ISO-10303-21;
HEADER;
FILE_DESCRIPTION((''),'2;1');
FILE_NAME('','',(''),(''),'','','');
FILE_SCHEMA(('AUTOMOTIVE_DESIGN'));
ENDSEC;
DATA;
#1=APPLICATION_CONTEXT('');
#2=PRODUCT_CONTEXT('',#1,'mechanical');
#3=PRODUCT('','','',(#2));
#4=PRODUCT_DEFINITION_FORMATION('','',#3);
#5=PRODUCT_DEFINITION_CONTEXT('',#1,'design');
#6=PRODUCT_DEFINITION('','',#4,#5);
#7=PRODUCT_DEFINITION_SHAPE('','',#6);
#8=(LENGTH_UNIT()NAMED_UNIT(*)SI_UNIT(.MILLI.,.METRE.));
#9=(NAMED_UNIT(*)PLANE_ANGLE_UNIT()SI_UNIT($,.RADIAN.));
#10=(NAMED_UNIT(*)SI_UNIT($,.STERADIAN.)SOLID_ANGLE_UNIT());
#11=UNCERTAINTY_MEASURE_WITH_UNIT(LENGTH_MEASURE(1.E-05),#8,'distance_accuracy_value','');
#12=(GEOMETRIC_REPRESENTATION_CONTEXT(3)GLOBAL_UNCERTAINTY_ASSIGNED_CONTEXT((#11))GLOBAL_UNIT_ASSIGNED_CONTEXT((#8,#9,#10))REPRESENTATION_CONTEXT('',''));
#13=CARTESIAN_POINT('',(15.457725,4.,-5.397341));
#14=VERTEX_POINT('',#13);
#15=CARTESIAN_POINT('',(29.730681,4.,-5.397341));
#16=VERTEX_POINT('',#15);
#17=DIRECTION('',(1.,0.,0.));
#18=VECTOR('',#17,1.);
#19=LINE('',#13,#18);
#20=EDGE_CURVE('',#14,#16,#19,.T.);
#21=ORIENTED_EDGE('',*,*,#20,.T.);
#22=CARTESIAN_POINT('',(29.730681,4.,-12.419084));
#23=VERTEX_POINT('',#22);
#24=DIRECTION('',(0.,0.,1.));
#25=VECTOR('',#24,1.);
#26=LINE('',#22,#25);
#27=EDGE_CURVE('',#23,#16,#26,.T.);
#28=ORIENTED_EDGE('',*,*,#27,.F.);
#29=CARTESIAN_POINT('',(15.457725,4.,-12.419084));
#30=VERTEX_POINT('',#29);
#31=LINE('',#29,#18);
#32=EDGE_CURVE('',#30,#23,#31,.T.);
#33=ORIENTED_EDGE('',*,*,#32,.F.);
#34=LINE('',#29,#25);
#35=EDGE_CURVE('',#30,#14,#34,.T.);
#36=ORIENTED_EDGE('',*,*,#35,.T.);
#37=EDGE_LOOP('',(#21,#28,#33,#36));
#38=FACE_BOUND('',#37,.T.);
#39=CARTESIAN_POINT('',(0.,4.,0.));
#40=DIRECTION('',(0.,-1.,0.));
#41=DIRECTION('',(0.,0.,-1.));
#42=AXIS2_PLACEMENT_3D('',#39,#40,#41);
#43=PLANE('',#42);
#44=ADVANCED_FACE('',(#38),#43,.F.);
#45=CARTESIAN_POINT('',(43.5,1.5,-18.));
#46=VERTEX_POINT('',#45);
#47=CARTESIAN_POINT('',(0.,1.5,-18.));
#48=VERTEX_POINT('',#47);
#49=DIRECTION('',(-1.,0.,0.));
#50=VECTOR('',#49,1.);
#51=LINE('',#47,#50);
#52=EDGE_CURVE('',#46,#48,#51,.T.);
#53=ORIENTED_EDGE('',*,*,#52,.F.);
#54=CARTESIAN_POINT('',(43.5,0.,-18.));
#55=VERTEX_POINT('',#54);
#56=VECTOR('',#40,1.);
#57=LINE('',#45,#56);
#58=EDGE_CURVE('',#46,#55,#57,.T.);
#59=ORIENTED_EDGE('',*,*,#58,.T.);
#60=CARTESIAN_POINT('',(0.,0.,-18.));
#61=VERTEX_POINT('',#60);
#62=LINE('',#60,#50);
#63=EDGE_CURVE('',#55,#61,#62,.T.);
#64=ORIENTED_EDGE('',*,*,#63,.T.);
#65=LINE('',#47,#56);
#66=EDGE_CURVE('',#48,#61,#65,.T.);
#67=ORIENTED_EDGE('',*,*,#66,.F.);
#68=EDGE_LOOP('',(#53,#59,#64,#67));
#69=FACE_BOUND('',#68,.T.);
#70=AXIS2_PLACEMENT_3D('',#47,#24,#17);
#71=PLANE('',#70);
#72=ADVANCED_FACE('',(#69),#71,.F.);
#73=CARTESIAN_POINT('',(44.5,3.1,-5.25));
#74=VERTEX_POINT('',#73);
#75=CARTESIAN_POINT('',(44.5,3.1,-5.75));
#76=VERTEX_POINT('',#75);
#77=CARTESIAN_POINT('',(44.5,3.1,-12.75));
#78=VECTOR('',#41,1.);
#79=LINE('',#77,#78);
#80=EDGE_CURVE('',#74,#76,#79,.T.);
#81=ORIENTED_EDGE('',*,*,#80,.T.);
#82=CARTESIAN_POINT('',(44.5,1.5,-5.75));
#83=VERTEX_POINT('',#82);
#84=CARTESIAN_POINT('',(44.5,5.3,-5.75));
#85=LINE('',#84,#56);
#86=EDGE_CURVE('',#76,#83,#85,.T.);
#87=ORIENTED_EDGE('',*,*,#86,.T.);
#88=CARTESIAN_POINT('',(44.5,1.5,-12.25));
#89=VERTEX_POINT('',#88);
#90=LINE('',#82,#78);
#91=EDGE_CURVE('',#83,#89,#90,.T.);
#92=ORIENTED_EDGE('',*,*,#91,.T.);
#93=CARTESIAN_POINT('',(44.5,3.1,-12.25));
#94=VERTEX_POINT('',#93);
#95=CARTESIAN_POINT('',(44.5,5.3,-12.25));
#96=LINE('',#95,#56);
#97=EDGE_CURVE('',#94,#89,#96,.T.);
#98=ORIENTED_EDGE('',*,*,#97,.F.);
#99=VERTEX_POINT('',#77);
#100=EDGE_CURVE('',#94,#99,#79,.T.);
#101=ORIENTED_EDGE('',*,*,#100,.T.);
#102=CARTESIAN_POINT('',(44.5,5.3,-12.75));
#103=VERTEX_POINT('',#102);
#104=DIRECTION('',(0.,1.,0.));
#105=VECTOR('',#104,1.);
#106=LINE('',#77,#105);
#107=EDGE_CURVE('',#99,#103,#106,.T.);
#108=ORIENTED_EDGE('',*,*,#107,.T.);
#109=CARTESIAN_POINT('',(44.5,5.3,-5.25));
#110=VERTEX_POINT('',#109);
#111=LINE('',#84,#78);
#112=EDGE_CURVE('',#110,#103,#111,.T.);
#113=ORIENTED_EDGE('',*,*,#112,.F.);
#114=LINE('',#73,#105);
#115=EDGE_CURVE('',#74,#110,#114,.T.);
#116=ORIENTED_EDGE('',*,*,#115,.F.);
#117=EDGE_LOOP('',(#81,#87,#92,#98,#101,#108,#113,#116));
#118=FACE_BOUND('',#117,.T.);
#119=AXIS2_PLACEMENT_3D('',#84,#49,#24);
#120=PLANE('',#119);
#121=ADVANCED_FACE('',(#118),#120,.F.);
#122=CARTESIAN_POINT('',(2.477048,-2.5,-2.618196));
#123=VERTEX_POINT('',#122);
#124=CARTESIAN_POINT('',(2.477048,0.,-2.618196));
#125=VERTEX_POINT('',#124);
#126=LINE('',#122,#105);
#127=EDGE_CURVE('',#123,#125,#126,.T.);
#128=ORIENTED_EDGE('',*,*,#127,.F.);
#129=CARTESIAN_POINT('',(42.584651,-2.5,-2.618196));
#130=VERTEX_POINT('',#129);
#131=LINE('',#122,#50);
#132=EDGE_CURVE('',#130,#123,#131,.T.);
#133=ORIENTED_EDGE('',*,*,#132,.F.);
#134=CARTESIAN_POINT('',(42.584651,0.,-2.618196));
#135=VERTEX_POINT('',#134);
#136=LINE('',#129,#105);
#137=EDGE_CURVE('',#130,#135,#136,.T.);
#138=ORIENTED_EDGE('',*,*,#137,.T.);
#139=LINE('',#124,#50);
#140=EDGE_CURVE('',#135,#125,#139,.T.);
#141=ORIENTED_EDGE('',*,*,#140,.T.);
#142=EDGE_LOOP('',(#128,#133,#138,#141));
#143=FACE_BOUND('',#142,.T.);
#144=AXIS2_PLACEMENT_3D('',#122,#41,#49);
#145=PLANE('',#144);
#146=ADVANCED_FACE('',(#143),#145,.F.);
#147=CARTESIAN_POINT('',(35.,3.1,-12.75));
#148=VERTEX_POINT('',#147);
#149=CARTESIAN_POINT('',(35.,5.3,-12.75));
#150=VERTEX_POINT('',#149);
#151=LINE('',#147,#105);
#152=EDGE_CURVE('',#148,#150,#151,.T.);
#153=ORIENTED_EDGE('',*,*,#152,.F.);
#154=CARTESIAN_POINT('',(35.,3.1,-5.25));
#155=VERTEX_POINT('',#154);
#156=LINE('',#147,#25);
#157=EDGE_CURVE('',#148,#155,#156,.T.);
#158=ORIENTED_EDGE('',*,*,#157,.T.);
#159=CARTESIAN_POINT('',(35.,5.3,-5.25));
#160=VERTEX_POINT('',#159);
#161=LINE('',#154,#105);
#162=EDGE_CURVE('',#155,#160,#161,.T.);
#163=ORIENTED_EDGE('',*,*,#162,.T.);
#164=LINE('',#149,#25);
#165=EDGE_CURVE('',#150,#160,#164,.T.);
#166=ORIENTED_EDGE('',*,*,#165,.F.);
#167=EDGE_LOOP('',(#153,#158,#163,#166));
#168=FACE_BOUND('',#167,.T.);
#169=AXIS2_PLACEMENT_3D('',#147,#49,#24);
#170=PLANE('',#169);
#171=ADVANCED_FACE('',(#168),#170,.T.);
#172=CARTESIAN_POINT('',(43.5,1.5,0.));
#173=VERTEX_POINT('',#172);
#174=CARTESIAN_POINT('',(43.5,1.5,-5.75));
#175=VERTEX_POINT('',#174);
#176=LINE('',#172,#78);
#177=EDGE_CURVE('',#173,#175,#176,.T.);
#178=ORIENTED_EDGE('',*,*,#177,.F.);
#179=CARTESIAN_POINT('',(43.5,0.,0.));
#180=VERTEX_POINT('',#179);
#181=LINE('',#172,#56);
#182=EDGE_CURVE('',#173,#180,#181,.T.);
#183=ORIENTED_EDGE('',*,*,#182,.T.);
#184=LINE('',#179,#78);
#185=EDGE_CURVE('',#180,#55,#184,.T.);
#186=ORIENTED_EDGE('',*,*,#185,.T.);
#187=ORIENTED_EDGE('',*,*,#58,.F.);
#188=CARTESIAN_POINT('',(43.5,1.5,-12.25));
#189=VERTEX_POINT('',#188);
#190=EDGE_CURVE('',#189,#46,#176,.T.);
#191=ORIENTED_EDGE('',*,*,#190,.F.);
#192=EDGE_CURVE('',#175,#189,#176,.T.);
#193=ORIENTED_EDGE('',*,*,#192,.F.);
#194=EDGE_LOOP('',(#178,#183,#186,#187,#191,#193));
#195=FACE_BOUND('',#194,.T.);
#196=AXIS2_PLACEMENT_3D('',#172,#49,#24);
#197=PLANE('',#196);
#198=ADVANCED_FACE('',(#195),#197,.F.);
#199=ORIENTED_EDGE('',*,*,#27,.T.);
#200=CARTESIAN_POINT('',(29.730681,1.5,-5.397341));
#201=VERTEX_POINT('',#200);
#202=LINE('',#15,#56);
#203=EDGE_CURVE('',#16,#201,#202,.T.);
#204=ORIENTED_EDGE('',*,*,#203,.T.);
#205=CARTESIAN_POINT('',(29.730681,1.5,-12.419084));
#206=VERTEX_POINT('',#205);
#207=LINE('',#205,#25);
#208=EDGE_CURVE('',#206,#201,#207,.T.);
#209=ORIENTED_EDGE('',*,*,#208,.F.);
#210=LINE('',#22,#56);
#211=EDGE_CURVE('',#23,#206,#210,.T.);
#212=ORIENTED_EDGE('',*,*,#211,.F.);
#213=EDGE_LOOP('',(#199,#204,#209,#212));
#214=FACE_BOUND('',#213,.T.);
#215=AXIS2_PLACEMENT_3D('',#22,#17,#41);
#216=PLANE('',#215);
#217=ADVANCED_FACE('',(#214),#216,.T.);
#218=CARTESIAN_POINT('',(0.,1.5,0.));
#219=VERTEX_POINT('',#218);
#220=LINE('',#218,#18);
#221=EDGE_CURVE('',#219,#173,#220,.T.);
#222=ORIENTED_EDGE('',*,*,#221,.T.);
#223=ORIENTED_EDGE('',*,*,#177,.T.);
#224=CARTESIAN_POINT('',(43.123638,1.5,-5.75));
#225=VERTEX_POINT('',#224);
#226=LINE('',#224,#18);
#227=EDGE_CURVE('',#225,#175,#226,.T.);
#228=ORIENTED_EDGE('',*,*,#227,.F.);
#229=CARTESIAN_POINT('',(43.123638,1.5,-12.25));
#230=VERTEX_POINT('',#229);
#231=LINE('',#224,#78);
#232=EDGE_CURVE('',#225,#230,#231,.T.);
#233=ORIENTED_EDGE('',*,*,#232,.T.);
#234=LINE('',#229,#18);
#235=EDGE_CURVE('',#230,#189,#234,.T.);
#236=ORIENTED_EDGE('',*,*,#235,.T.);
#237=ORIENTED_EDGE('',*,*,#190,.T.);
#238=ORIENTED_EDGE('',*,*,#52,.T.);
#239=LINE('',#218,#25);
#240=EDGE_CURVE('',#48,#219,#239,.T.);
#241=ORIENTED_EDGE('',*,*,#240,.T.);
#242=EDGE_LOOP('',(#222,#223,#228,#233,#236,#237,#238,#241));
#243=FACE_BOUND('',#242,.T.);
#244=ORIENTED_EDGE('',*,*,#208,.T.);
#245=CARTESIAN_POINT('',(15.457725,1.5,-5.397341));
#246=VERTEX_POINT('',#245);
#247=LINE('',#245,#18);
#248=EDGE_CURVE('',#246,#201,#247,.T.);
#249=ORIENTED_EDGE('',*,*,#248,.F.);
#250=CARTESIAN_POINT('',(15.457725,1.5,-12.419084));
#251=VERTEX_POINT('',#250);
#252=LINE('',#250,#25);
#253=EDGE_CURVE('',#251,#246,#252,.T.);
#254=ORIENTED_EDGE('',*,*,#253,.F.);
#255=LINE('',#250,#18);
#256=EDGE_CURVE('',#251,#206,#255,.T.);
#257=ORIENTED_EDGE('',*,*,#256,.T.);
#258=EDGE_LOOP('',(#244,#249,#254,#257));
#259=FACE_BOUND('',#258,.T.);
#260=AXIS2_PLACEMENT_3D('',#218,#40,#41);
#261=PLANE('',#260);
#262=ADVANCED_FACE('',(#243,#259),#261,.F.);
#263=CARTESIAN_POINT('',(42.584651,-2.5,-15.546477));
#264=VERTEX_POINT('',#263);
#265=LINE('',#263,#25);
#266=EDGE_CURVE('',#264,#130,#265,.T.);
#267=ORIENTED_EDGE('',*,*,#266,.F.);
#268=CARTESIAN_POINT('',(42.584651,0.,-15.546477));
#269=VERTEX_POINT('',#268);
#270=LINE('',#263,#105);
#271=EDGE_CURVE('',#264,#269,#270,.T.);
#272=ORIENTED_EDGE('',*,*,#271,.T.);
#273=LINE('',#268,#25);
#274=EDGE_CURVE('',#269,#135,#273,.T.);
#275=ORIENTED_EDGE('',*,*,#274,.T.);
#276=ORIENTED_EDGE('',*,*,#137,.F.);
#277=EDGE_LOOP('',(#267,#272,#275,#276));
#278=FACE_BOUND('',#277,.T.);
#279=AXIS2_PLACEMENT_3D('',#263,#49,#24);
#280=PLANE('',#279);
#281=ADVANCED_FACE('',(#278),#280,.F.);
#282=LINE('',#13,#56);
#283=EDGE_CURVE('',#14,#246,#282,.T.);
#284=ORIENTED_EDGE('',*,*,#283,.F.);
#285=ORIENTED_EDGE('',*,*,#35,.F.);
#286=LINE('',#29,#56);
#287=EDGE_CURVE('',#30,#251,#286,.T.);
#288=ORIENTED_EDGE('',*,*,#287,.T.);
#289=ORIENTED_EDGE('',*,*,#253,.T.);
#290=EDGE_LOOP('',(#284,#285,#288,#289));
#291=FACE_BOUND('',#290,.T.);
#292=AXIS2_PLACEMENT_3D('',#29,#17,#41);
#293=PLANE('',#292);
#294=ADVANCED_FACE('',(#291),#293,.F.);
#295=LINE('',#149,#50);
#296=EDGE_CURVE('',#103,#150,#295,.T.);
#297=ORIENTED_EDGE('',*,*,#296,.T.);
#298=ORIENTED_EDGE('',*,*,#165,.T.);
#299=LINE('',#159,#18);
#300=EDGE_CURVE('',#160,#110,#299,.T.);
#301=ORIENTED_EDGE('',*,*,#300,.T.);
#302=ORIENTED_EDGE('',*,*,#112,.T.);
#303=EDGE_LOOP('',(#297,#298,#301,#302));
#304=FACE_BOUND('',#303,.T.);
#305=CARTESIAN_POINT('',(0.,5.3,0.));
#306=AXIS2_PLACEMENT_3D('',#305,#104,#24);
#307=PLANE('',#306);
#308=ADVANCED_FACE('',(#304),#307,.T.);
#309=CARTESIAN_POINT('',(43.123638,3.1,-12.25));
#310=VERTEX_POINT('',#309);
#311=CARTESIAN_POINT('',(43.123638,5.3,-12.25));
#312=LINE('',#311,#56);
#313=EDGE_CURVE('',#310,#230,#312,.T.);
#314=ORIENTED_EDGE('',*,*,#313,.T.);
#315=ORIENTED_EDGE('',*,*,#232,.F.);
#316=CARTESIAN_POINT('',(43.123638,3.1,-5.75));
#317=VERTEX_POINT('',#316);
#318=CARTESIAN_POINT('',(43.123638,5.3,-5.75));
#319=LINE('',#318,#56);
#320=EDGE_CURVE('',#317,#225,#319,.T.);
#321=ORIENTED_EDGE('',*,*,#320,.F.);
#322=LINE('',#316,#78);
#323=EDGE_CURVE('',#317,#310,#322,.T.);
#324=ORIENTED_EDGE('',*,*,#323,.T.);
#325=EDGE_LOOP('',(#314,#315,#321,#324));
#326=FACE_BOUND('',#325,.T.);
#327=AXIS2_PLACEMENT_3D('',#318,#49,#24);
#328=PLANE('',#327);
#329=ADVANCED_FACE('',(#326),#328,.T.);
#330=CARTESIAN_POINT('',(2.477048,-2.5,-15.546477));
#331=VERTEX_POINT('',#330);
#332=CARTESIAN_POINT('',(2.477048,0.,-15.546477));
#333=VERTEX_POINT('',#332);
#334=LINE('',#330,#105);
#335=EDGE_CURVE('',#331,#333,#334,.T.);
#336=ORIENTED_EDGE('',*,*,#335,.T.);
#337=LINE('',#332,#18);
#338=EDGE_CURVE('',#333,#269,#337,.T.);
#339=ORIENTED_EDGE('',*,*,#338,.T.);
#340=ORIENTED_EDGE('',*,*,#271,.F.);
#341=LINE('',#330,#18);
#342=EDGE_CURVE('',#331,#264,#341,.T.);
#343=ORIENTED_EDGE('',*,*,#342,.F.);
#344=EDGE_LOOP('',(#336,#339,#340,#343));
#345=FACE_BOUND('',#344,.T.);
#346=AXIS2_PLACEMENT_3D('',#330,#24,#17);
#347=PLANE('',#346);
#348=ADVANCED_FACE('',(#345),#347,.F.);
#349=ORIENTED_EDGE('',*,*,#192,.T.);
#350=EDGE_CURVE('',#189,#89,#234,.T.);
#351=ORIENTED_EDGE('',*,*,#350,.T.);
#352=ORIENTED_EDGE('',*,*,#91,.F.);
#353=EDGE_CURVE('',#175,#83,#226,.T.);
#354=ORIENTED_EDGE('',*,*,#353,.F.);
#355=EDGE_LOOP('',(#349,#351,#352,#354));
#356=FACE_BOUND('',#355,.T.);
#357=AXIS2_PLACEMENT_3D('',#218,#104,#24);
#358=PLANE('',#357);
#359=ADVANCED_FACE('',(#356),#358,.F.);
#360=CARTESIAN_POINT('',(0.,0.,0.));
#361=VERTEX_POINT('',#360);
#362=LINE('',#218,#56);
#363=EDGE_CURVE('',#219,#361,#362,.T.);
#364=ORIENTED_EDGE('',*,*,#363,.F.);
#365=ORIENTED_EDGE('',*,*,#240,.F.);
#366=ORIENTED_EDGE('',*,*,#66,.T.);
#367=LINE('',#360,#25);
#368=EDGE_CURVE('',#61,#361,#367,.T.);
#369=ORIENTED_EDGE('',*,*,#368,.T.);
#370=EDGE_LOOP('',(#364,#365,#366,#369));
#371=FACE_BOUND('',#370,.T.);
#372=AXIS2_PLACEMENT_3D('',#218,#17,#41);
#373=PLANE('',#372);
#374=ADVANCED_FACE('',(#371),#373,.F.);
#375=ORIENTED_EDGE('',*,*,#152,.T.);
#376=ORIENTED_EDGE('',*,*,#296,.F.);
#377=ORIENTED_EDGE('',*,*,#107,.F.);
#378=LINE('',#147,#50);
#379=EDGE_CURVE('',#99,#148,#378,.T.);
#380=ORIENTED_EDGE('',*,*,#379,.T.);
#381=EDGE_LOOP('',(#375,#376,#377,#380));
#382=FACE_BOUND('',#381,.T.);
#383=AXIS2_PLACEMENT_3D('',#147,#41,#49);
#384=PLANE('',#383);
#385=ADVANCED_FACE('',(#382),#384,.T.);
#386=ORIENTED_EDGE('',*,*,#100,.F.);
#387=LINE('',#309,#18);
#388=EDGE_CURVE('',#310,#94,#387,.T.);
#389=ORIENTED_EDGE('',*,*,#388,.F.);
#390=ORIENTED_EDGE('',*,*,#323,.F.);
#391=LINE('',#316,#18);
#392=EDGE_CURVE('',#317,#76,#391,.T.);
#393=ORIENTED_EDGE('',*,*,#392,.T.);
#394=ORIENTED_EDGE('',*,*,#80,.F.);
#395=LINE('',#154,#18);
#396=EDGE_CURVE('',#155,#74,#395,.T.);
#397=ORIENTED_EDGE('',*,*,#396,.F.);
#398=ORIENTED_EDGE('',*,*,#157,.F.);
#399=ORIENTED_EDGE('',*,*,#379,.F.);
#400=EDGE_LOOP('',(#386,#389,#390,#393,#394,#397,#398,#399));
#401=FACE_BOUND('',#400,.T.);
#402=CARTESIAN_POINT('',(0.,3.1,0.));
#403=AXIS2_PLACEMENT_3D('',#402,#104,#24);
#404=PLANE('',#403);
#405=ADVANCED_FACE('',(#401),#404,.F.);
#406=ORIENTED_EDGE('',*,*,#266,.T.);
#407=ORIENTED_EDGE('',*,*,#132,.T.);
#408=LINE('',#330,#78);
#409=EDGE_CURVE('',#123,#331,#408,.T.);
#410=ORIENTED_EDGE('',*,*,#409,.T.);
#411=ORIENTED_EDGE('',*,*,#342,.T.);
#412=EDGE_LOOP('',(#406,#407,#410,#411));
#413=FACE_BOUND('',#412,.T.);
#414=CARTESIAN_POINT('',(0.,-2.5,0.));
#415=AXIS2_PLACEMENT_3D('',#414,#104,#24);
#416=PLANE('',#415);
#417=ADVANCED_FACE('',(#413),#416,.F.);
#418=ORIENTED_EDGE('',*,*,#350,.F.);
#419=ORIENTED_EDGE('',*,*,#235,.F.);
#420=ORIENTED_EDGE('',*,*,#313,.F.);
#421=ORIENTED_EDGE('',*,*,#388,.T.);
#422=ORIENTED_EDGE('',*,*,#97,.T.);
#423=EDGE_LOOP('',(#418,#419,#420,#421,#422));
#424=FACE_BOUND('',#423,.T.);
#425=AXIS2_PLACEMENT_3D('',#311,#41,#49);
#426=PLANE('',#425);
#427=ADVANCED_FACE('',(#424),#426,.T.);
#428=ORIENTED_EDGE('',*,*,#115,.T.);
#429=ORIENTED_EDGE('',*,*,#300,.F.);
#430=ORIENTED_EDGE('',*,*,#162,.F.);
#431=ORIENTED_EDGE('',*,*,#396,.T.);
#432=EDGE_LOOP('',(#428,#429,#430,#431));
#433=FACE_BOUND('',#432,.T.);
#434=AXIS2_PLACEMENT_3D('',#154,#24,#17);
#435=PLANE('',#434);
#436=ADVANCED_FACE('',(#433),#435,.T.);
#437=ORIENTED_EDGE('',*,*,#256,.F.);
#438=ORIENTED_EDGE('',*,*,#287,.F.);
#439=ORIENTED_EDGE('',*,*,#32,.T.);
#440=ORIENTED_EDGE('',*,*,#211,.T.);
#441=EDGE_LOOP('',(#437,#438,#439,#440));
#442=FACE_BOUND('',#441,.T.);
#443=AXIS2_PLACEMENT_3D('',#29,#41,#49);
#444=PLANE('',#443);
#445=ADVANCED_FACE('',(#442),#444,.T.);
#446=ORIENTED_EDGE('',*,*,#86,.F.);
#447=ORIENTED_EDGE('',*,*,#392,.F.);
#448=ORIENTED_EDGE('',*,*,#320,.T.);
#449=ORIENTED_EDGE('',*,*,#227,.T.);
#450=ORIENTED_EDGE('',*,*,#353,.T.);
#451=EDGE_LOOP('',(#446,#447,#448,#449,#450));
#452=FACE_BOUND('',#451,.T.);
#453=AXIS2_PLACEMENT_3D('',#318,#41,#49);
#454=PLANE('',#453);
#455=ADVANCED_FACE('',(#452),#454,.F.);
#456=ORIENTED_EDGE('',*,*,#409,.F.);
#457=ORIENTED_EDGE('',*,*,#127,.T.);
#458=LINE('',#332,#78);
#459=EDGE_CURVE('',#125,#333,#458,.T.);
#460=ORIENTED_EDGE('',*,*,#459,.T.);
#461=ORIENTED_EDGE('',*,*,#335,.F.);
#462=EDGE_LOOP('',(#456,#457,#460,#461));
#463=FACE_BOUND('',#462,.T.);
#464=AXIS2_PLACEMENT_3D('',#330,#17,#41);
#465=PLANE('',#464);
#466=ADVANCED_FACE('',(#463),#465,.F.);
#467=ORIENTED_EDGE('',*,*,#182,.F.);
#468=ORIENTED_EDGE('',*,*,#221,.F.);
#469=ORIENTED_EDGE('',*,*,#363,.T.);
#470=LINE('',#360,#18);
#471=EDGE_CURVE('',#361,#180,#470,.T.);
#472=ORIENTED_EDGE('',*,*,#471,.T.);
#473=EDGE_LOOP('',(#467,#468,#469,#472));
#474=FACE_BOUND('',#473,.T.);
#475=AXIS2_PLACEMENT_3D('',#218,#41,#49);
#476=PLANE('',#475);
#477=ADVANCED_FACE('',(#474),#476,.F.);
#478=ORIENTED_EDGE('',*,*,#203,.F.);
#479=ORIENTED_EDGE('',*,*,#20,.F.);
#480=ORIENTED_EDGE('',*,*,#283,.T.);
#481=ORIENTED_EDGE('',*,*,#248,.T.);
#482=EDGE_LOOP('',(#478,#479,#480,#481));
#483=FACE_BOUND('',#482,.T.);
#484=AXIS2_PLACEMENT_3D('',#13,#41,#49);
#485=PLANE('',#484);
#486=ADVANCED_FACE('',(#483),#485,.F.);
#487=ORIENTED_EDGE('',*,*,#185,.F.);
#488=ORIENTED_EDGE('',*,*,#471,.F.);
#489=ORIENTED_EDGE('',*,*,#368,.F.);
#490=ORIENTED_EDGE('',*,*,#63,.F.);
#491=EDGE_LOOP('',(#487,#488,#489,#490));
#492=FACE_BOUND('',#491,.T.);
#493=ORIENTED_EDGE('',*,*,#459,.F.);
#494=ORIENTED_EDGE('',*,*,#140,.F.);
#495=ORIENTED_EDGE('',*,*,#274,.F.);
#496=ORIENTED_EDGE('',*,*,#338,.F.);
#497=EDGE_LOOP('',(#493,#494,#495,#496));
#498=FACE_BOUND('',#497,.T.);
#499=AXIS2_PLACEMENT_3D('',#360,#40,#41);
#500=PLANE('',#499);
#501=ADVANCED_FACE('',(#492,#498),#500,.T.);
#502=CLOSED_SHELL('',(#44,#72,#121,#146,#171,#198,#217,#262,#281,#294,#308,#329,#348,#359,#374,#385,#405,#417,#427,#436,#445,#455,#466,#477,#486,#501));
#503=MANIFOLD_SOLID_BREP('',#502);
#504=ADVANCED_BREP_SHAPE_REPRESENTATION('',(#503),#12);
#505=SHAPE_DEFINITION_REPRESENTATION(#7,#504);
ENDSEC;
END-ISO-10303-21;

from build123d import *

# Parameters (mm, degrees)
SKETCH_1_W      = 43.5
SKETCH_1_H      = 18
EXTRUDE_1_DEPTH = 1.5
SKETCH_2_W      = 1.37636172
SKETCH_2_H      = 6.5
EXTRUDE_2_DEPTH = 3.8
SKETCH_3_W      = 9.5
SKETCH_3_H      = 7.5
EXTRUDE_7_DEPTH = 2.2
SKETCH_8_W      = 40.107603246
SKETCH_8_H      = 12.928280697
EXTRUDE_8_DEPTH = 2.5
SKETCH_9_W      = 14.27295549
SKETCH_9_H      = 7.021743376
EXTRUDE_9_DEPTH = 2.5


with BuildPart() as part:
    # Эскиз1 → Бобышка-Вытянуть1 (new body)
    with BuildSketch(Plane(origin=(0, 0, 0), x_dir=(1, 0, 0), z_dir=(0, 1, 0))):
        with Locations((21.75, 9)):
            Rectangle(SKETCH_1_W, SKETCH_1_H)
    extrude(amount=EXTRUDE_1_DEPTH)

    # Эскиз2 → Бобышка-Вытянуть2 (add)
    with BuildSketch(Plane(origin=(0, 1.5, 0), x_dir=(1, 0, 0), z_dir=(0, 1, 0))):
        with Locations((43.81181914, 9)):
            Rectangle(SKETCH_2_W, SKETCH_2_H)
    extrude(amount=EXTRUDE_2_DEPTH)

    # Эскиз3 → Бобышка-Вытянуть7 (add)
    with BuildSketch(Plane(origin=(0, 5.3, 0), x_dir=(1, 0, 0), z_dir=(0, 1, 0))):
        with Locations((39.75, 9)):
            Rectangle(SKETCH_3_W, SKETCH_3_H)
    extrude(amount=-EXTRUDE_7_DEPTH)

    # Эскиз8 → Бобышка-Вытянуть8 (add)
    with BuildSketch(Plane(origin=(0, 0, 0), x_dir=(-1, 0, 0), z_dir=(0, -1, 0))):
        with Locations((-22.53084927, 9.082336705)):
            Rectangle(SKETCH_8_W, SKETCH_8_H)
    extrude(amount=EXTRUDE_8_DEPTH)

    # Эскиз9 → Бобышка-Вытянуть9 (add)
    with BuildSketch(Plane(origin=(0, 1.5, 0), x_dir=(1, 0, 0), z_dir=(0, 1, 0))):
        with Locations((22.594203107, 8.908212505)):
            Rectangle(SKETCH_9_W, SKETCH_9_H)
    extrude(amount=EXTRUDE_9_DEPTH)


solid = part.part
